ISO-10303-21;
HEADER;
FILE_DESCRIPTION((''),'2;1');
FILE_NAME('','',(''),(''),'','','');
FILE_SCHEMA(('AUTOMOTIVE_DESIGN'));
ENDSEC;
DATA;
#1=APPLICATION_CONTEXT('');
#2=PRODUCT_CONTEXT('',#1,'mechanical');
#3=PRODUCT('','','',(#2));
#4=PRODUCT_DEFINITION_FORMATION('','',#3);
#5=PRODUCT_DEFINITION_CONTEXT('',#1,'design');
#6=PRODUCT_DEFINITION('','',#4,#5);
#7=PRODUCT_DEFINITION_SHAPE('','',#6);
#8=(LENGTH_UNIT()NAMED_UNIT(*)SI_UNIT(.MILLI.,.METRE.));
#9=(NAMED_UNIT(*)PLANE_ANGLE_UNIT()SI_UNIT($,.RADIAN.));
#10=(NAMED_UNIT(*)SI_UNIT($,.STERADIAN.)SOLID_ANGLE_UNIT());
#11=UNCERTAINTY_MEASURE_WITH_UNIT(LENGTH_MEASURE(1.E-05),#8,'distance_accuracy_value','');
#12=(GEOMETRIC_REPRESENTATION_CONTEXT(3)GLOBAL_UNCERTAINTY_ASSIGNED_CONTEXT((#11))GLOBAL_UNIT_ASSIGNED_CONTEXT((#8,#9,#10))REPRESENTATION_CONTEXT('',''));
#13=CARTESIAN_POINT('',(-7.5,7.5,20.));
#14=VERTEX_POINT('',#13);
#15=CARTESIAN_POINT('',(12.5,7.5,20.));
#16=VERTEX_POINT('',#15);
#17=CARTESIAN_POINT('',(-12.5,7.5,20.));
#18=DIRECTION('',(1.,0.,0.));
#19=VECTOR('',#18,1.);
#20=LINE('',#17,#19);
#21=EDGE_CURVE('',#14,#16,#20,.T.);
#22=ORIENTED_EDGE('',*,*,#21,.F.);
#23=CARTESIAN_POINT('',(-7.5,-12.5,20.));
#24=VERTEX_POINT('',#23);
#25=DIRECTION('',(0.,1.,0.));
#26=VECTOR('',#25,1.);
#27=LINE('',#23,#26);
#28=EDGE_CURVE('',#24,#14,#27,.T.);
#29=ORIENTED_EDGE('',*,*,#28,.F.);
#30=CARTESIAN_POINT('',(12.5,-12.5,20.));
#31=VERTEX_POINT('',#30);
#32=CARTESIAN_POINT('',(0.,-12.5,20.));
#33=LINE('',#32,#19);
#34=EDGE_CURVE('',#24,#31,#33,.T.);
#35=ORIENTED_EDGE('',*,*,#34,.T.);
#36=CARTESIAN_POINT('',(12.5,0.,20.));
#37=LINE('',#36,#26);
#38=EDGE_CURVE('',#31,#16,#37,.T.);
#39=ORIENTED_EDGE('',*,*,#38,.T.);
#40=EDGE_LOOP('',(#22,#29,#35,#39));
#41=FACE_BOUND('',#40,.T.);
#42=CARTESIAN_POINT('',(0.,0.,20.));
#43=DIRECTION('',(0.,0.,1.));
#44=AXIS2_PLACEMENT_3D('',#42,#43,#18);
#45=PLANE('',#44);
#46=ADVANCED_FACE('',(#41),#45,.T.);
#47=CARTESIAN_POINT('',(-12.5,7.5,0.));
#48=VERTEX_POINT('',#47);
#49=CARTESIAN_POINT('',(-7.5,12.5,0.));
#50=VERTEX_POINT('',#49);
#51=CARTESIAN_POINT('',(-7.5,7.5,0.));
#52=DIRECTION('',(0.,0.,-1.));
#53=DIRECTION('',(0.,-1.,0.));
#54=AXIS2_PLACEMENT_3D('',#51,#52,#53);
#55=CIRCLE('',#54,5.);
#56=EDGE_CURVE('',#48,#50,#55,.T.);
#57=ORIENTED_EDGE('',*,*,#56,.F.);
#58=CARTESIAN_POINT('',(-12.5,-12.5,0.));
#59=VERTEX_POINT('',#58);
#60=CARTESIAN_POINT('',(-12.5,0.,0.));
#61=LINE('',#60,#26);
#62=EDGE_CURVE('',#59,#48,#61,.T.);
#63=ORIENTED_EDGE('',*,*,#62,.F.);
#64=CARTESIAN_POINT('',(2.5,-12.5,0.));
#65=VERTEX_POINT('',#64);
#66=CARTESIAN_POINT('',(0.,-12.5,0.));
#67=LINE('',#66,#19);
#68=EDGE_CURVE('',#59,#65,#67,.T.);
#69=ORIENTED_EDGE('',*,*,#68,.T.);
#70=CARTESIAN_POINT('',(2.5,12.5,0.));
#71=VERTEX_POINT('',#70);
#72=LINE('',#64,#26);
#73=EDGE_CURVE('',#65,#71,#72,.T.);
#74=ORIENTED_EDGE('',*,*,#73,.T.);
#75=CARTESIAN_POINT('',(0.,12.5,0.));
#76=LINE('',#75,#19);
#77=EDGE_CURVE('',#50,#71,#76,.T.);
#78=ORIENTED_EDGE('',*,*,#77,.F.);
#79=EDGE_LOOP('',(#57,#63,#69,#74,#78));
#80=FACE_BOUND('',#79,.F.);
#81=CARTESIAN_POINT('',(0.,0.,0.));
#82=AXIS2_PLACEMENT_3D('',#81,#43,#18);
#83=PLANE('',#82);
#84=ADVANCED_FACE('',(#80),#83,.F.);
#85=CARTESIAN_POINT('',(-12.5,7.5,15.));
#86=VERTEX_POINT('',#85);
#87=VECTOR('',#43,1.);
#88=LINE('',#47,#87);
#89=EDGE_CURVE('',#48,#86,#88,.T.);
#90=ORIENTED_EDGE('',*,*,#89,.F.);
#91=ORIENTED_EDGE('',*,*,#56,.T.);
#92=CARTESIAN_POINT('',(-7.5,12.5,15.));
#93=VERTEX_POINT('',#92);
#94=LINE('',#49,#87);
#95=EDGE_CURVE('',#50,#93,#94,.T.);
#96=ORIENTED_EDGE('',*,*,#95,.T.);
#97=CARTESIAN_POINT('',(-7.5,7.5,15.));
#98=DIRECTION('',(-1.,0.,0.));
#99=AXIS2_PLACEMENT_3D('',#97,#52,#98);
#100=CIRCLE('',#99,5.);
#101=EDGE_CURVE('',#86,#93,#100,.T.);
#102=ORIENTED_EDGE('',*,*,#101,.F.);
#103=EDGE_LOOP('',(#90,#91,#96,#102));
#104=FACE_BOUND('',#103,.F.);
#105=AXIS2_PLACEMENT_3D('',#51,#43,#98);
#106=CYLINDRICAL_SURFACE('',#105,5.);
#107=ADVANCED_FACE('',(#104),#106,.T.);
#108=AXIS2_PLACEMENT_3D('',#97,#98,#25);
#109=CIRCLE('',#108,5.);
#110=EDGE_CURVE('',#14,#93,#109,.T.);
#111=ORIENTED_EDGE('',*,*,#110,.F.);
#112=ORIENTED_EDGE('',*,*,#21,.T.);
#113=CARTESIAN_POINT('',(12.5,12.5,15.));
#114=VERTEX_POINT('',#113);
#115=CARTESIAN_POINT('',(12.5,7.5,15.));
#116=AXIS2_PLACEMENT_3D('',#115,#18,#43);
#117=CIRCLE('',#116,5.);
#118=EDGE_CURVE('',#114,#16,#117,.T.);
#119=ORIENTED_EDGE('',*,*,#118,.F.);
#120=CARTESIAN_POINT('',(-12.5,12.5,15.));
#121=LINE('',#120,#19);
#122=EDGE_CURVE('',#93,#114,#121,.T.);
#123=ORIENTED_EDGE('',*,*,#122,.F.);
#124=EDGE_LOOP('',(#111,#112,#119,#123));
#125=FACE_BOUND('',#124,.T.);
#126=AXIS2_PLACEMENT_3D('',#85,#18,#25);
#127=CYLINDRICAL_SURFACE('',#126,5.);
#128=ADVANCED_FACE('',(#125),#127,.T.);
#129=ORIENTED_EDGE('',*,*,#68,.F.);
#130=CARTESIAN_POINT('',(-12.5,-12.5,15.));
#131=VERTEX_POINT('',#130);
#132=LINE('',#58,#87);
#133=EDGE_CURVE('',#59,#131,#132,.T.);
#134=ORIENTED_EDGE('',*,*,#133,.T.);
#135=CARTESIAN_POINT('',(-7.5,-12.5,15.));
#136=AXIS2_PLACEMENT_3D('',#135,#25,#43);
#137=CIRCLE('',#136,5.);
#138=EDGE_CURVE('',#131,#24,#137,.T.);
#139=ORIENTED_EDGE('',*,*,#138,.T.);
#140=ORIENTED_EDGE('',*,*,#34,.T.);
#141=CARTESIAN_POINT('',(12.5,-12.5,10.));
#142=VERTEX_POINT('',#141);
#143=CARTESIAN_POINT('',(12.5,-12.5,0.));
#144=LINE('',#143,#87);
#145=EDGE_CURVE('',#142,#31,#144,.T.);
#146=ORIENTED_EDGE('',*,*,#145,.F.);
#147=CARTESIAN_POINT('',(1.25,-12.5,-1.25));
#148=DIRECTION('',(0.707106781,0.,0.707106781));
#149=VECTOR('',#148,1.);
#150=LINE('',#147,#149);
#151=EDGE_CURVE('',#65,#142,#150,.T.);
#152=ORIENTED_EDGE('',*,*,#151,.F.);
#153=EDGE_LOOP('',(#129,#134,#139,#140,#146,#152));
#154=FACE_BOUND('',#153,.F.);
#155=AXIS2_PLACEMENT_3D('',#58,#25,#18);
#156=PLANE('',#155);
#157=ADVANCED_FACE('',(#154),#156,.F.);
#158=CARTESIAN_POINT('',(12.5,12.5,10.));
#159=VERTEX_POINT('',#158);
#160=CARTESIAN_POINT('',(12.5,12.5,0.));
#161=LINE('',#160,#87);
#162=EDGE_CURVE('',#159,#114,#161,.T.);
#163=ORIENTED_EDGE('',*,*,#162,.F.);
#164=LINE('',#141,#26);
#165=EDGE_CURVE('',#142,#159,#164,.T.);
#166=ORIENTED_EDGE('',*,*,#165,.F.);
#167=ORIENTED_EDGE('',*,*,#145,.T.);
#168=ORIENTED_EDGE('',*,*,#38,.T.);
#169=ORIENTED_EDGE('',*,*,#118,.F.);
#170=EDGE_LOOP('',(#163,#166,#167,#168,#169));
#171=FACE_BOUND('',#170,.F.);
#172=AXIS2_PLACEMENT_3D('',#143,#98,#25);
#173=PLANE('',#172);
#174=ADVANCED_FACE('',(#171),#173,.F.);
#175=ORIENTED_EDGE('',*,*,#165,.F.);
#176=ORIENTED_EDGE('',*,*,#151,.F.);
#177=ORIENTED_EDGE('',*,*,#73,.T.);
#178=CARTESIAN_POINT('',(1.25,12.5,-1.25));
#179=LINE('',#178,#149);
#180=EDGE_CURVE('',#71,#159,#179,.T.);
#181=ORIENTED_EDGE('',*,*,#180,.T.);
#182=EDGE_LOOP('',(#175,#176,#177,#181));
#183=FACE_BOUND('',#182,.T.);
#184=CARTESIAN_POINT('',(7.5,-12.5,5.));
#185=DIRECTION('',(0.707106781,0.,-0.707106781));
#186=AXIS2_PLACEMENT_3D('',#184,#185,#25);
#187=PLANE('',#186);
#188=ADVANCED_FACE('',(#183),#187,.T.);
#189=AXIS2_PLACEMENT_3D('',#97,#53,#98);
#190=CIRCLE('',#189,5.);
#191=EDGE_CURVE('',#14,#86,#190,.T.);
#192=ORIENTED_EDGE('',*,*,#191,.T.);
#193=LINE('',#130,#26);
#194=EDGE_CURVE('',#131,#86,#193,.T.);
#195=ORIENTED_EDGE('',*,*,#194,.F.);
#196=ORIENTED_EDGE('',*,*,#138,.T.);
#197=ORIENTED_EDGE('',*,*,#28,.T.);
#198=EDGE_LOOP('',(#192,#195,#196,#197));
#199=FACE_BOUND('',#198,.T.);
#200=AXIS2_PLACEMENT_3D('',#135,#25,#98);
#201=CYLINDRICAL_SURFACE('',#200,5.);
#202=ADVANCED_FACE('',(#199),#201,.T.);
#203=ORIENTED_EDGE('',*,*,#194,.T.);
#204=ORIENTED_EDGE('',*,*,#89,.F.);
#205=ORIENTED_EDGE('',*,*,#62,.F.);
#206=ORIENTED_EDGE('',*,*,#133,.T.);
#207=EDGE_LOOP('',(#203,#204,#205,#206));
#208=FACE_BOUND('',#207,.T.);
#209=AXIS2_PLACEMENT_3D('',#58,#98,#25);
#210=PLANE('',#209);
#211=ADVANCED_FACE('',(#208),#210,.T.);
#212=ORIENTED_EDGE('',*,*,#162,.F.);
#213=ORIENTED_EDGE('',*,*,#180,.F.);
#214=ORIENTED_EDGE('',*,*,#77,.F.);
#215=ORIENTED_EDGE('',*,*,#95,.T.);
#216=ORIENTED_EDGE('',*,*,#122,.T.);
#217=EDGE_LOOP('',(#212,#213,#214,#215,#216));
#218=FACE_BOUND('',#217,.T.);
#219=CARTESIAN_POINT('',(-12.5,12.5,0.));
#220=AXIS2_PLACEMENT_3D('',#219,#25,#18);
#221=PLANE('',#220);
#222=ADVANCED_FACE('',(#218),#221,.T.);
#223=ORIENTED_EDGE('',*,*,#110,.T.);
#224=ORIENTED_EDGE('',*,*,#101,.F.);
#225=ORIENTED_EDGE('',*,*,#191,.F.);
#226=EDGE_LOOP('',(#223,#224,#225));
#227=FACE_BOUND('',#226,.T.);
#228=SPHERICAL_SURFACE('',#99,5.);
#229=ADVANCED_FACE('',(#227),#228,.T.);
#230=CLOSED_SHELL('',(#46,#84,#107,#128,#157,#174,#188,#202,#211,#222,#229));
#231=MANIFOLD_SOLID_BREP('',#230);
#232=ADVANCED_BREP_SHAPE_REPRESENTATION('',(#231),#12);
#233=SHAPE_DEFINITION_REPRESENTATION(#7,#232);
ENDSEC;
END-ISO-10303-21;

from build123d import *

# Parameters (mm, degrees)
F0_W     = 25
F0_H     = 25
F1_DEPTH = 20
F2_R     = 5
F3_SIZE  = 10


with BuildPart() as f1:
    # F0 (on Top) → F1 (new body)
    with BuildSketch(Plane.XY):
        Rectangle(F0_W, F0_H)
    extrude(amount=F1_DEPTH)

    # F2
    f2_edges = [f1.edges().sort_by_distance(p)[0] for p in [
        (-12.5, 12.5, 10),
        (-12.5, 0, 20),
        (0, 12.5, 20),
    ]]
    fillet(f2_edges, radius=F2_R)

    # F3
    f3_edges = [f1.edges().sort_by_distance(p)[0] for p in [
        (12.5, 0, 0),
    ]]
    chamfer(f3_edges, length=F3_SIZE)


solid = f1.part
